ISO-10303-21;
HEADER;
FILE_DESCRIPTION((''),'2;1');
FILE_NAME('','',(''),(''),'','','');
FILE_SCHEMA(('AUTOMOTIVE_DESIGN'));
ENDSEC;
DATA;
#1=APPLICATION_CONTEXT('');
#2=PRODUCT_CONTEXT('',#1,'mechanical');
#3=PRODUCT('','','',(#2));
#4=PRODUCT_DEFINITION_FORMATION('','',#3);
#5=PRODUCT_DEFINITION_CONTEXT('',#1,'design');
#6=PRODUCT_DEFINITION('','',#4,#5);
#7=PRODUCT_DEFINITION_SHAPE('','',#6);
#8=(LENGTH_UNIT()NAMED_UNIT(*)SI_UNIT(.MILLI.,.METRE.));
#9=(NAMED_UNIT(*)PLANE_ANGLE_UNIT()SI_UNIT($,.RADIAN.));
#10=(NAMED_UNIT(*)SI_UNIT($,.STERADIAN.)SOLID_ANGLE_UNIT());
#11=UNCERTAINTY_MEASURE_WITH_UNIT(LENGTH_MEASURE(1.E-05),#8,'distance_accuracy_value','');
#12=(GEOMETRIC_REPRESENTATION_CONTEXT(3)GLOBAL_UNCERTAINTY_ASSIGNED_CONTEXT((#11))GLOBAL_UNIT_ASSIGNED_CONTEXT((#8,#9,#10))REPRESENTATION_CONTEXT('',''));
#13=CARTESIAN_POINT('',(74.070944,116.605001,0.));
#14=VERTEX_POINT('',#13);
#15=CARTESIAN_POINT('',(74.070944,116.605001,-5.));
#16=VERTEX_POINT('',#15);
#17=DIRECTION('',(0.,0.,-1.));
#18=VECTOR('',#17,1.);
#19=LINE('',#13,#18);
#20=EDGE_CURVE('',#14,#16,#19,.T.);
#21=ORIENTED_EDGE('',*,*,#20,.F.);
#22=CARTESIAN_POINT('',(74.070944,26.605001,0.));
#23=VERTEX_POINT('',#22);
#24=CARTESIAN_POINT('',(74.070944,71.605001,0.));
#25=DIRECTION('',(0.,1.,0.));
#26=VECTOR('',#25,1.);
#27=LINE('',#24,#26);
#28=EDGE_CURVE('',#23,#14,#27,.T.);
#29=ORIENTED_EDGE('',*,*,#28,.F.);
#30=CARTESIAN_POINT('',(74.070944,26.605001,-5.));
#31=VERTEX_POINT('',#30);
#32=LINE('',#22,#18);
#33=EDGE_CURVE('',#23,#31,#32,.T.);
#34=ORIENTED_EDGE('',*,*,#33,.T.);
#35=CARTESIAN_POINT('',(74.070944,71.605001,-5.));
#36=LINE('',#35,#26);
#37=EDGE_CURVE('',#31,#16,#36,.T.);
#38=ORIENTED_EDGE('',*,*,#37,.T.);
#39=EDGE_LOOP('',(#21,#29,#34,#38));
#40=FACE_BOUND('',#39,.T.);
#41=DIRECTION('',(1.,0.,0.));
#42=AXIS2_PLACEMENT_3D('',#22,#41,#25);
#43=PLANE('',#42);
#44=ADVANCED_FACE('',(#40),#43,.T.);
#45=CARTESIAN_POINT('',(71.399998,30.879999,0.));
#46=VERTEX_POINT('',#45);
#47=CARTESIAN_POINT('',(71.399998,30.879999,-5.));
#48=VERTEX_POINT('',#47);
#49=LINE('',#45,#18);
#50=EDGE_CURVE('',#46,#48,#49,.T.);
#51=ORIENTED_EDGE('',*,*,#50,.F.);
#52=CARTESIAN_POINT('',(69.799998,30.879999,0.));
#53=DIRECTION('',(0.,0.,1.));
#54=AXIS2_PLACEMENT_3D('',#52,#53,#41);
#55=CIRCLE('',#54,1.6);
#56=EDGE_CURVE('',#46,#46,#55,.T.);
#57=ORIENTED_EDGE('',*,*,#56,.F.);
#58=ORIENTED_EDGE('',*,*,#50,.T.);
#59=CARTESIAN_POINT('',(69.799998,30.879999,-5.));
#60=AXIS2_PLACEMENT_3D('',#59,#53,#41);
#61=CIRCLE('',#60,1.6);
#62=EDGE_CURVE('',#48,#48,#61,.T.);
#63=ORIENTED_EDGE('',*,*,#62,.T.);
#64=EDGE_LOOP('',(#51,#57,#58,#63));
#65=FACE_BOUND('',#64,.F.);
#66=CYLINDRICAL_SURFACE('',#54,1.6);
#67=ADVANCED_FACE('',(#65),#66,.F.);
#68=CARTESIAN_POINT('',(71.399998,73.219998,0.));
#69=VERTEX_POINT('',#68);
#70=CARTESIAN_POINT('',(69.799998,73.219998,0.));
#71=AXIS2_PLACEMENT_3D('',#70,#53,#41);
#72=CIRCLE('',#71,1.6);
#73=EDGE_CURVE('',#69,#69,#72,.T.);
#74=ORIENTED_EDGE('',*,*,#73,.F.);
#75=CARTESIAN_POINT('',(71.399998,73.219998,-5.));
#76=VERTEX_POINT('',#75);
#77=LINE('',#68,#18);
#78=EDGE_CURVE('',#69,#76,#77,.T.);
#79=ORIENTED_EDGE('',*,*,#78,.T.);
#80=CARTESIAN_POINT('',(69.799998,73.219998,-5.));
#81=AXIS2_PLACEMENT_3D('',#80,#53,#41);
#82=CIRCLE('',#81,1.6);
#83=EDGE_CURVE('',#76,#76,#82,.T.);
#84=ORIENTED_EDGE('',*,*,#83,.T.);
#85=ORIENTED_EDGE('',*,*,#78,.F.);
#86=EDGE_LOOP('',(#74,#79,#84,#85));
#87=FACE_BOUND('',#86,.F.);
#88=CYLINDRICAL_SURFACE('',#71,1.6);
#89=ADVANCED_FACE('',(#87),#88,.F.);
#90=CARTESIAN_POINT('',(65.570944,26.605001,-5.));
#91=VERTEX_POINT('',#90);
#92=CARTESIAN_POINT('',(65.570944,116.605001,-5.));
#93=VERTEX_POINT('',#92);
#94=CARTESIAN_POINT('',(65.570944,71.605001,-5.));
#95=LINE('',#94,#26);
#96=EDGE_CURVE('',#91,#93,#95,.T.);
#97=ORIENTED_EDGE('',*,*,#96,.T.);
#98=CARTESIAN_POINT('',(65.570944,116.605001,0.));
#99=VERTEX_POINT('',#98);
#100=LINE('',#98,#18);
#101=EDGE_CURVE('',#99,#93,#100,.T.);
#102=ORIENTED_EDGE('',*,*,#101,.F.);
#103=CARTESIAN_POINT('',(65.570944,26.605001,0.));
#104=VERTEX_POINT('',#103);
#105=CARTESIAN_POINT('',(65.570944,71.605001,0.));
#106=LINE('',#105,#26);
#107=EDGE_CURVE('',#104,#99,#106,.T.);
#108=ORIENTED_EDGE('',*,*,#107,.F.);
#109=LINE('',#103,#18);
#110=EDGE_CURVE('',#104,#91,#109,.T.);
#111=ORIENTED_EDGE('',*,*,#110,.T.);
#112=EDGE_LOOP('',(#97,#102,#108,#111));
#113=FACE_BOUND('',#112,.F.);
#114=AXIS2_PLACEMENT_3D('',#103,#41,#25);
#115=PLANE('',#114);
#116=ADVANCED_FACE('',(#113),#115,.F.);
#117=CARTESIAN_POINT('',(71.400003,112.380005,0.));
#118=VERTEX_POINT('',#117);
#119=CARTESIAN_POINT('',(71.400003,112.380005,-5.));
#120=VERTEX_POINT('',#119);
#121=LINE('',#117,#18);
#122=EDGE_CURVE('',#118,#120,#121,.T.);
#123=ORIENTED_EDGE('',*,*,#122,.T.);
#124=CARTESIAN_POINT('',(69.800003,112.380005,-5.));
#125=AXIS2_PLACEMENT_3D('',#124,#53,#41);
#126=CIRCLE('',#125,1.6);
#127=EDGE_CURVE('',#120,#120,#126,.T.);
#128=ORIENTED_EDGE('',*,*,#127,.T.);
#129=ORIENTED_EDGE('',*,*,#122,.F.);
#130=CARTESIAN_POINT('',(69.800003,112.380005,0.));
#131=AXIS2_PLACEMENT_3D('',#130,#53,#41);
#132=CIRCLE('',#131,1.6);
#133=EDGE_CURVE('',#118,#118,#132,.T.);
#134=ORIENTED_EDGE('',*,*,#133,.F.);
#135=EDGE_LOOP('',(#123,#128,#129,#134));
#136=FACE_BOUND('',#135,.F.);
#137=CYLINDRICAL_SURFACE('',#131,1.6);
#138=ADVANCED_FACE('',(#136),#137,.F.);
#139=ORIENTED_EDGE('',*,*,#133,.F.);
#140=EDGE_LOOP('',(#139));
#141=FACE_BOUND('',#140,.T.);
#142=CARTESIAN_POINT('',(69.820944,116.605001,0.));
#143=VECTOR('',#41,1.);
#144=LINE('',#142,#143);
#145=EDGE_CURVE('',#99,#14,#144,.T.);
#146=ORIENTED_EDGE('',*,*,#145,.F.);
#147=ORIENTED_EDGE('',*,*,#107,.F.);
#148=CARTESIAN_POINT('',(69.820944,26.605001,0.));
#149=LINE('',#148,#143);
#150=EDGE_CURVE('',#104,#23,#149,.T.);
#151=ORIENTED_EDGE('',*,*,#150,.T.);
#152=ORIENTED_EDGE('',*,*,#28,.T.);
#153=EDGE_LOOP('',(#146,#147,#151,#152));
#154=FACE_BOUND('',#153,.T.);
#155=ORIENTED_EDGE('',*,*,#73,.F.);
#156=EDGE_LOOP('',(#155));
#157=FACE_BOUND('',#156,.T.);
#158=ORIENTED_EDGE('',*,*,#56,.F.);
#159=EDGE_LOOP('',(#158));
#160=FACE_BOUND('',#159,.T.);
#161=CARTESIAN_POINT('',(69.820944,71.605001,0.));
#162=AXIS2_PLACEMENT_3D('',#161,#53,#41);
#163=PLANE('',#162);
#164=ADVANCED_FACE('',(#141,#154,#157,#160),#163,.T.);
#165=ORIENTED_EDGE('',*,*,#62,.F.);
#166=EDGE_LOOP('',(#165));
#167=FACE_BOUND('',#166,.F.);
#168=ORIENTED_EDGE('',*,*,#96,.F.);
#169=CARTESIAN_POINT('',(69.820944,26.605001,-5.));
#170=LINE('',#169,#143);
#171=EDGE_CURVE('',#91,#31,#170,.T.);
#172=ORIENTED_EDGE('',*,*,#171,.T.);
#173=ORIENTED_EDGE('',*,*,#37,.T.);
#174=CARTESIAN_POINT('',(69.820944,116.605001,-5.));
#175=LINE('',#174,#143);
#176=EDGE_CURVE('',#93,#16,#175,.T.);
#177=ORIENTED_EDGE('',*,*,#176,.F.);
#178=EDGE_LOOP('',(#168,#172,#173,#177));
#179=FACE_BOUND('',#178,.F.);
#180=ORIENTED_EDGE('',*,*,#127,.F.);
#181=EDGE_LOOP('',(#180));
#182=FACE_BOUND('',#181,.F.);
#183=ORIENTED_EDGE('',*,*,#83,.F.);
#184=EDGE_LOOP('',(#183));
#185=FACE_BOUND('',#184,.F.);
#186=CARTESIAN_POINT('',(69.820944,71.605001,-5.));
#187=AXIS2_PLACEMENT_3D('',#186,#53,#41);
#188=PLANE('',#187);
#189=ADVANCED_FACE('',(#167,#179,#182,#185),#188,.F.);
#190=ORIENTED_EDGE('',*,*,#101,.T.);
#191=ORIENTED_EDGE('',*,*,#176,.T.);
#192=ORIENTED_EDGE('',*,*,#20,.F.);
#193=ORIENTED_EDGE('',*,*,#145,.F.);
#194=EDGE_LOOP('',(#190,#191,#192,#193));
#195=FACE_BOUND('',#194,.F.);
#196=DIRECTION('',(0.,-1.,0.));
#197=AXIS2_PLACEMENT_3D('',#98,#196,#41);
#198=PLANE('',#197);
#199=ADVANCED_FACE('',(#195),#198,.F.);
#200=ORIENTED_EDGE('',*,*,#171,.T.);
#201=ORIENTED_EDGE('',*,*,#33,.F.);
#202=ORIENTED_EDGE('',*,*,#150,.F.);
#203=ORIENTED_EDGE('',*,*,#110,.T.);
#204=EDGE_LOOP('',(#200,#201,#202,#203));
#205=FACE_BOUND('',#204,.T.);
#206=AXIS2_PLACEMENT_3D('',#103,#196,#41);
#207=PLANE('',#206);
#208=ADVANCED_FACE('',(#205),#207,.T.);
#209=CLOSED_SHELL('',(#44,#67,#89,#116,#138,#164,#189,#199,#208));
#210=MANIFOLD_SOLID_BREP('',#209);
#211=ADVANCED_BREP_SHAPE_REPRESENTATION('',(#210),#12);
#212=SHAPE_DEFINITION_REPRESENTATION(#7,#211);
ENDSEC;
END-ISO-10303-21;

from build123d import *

# Parameters (mm, degrees)
SKETCH019_W      = 8.5
SKETCH019_H      = 90
EXTRUDE015_DEPTH = 5
SKETCH020_R      = 1.6
HOLE006_DEPTH    = 5
HOLE006_TIPS_R   = 1.6


with BuildPart() as part:
    # Sketch019 (on Face9 of BaseFeature002) → Extrude015 (new body)
    with BuildSketch(Plane.XY):
        with Locations((69.820944, 71.605001)):
            Rectangle(SKETCH019_W, SKETCH019_H)
    extrude(amount=-EXTRUDE015_DEPTH)

    # Sketch020 (on Face5 of Extrude015) → Hole006 (cut)
    with BuildSketch(Plane.XY):
        with Locations((69.800003, 112.380005)):
            Circle(SKETCH020_R)
        with Locations((69.799998, 73.219998)):
            Circle(SKETCH020_R)
        with Locations((69.799998, 30.879999)):
            Circle(SKETCH020_R)
    extrude(amount=-HOLE006_DEPTH, mode=Mode.SUBTRACT)

    # Hole006 tips → Hole006 tip 1 section 0
    with BuildSketch(Plane.XY.offset(-5), mode=Mode.PRIVATE) as hole006_tip_1_s0:
        with Locations((69.800003, 112.380005)):
            Circle(HOLE006_TIPS_R)
    loft([hole006_tip_1_s0.sketch, Vertex(69.800003, 112.380005, -5.961377)], mode=Mode.SUBTRACT)

    # Hole006 tips → Hole006 tip 2 section 0
    with BuildSketch(Plane.XY.offset(-5), mode=Mode.PRIVATE) as hole006_tip_2_s0:
        with Locations((69.799998, 73.219998)):
            Circle(HOLE006_TIPS_R)
    loft([hole006_tip_2_s0.sketch, Vertex(69.799998, 73.219998, -5.961377)], mode=Mode.SUBTRACT)

    # Hole006 tips → Hole006 tip 3 section 0
    with BuildSketch(Plane.XY.offset(-5), mode=Mode.PRIVATE) as hole006_tip_3_s0:
        with Locations((69.799998, 30.879999)):
            Circle(HOLE006_TIPS_R)
    loft([hole006_tip_3_s0.sketch, Vertex(69.799998, 30.879999, -5.961377)], mode=Mode.SUBTRACT)


solid = part.part
